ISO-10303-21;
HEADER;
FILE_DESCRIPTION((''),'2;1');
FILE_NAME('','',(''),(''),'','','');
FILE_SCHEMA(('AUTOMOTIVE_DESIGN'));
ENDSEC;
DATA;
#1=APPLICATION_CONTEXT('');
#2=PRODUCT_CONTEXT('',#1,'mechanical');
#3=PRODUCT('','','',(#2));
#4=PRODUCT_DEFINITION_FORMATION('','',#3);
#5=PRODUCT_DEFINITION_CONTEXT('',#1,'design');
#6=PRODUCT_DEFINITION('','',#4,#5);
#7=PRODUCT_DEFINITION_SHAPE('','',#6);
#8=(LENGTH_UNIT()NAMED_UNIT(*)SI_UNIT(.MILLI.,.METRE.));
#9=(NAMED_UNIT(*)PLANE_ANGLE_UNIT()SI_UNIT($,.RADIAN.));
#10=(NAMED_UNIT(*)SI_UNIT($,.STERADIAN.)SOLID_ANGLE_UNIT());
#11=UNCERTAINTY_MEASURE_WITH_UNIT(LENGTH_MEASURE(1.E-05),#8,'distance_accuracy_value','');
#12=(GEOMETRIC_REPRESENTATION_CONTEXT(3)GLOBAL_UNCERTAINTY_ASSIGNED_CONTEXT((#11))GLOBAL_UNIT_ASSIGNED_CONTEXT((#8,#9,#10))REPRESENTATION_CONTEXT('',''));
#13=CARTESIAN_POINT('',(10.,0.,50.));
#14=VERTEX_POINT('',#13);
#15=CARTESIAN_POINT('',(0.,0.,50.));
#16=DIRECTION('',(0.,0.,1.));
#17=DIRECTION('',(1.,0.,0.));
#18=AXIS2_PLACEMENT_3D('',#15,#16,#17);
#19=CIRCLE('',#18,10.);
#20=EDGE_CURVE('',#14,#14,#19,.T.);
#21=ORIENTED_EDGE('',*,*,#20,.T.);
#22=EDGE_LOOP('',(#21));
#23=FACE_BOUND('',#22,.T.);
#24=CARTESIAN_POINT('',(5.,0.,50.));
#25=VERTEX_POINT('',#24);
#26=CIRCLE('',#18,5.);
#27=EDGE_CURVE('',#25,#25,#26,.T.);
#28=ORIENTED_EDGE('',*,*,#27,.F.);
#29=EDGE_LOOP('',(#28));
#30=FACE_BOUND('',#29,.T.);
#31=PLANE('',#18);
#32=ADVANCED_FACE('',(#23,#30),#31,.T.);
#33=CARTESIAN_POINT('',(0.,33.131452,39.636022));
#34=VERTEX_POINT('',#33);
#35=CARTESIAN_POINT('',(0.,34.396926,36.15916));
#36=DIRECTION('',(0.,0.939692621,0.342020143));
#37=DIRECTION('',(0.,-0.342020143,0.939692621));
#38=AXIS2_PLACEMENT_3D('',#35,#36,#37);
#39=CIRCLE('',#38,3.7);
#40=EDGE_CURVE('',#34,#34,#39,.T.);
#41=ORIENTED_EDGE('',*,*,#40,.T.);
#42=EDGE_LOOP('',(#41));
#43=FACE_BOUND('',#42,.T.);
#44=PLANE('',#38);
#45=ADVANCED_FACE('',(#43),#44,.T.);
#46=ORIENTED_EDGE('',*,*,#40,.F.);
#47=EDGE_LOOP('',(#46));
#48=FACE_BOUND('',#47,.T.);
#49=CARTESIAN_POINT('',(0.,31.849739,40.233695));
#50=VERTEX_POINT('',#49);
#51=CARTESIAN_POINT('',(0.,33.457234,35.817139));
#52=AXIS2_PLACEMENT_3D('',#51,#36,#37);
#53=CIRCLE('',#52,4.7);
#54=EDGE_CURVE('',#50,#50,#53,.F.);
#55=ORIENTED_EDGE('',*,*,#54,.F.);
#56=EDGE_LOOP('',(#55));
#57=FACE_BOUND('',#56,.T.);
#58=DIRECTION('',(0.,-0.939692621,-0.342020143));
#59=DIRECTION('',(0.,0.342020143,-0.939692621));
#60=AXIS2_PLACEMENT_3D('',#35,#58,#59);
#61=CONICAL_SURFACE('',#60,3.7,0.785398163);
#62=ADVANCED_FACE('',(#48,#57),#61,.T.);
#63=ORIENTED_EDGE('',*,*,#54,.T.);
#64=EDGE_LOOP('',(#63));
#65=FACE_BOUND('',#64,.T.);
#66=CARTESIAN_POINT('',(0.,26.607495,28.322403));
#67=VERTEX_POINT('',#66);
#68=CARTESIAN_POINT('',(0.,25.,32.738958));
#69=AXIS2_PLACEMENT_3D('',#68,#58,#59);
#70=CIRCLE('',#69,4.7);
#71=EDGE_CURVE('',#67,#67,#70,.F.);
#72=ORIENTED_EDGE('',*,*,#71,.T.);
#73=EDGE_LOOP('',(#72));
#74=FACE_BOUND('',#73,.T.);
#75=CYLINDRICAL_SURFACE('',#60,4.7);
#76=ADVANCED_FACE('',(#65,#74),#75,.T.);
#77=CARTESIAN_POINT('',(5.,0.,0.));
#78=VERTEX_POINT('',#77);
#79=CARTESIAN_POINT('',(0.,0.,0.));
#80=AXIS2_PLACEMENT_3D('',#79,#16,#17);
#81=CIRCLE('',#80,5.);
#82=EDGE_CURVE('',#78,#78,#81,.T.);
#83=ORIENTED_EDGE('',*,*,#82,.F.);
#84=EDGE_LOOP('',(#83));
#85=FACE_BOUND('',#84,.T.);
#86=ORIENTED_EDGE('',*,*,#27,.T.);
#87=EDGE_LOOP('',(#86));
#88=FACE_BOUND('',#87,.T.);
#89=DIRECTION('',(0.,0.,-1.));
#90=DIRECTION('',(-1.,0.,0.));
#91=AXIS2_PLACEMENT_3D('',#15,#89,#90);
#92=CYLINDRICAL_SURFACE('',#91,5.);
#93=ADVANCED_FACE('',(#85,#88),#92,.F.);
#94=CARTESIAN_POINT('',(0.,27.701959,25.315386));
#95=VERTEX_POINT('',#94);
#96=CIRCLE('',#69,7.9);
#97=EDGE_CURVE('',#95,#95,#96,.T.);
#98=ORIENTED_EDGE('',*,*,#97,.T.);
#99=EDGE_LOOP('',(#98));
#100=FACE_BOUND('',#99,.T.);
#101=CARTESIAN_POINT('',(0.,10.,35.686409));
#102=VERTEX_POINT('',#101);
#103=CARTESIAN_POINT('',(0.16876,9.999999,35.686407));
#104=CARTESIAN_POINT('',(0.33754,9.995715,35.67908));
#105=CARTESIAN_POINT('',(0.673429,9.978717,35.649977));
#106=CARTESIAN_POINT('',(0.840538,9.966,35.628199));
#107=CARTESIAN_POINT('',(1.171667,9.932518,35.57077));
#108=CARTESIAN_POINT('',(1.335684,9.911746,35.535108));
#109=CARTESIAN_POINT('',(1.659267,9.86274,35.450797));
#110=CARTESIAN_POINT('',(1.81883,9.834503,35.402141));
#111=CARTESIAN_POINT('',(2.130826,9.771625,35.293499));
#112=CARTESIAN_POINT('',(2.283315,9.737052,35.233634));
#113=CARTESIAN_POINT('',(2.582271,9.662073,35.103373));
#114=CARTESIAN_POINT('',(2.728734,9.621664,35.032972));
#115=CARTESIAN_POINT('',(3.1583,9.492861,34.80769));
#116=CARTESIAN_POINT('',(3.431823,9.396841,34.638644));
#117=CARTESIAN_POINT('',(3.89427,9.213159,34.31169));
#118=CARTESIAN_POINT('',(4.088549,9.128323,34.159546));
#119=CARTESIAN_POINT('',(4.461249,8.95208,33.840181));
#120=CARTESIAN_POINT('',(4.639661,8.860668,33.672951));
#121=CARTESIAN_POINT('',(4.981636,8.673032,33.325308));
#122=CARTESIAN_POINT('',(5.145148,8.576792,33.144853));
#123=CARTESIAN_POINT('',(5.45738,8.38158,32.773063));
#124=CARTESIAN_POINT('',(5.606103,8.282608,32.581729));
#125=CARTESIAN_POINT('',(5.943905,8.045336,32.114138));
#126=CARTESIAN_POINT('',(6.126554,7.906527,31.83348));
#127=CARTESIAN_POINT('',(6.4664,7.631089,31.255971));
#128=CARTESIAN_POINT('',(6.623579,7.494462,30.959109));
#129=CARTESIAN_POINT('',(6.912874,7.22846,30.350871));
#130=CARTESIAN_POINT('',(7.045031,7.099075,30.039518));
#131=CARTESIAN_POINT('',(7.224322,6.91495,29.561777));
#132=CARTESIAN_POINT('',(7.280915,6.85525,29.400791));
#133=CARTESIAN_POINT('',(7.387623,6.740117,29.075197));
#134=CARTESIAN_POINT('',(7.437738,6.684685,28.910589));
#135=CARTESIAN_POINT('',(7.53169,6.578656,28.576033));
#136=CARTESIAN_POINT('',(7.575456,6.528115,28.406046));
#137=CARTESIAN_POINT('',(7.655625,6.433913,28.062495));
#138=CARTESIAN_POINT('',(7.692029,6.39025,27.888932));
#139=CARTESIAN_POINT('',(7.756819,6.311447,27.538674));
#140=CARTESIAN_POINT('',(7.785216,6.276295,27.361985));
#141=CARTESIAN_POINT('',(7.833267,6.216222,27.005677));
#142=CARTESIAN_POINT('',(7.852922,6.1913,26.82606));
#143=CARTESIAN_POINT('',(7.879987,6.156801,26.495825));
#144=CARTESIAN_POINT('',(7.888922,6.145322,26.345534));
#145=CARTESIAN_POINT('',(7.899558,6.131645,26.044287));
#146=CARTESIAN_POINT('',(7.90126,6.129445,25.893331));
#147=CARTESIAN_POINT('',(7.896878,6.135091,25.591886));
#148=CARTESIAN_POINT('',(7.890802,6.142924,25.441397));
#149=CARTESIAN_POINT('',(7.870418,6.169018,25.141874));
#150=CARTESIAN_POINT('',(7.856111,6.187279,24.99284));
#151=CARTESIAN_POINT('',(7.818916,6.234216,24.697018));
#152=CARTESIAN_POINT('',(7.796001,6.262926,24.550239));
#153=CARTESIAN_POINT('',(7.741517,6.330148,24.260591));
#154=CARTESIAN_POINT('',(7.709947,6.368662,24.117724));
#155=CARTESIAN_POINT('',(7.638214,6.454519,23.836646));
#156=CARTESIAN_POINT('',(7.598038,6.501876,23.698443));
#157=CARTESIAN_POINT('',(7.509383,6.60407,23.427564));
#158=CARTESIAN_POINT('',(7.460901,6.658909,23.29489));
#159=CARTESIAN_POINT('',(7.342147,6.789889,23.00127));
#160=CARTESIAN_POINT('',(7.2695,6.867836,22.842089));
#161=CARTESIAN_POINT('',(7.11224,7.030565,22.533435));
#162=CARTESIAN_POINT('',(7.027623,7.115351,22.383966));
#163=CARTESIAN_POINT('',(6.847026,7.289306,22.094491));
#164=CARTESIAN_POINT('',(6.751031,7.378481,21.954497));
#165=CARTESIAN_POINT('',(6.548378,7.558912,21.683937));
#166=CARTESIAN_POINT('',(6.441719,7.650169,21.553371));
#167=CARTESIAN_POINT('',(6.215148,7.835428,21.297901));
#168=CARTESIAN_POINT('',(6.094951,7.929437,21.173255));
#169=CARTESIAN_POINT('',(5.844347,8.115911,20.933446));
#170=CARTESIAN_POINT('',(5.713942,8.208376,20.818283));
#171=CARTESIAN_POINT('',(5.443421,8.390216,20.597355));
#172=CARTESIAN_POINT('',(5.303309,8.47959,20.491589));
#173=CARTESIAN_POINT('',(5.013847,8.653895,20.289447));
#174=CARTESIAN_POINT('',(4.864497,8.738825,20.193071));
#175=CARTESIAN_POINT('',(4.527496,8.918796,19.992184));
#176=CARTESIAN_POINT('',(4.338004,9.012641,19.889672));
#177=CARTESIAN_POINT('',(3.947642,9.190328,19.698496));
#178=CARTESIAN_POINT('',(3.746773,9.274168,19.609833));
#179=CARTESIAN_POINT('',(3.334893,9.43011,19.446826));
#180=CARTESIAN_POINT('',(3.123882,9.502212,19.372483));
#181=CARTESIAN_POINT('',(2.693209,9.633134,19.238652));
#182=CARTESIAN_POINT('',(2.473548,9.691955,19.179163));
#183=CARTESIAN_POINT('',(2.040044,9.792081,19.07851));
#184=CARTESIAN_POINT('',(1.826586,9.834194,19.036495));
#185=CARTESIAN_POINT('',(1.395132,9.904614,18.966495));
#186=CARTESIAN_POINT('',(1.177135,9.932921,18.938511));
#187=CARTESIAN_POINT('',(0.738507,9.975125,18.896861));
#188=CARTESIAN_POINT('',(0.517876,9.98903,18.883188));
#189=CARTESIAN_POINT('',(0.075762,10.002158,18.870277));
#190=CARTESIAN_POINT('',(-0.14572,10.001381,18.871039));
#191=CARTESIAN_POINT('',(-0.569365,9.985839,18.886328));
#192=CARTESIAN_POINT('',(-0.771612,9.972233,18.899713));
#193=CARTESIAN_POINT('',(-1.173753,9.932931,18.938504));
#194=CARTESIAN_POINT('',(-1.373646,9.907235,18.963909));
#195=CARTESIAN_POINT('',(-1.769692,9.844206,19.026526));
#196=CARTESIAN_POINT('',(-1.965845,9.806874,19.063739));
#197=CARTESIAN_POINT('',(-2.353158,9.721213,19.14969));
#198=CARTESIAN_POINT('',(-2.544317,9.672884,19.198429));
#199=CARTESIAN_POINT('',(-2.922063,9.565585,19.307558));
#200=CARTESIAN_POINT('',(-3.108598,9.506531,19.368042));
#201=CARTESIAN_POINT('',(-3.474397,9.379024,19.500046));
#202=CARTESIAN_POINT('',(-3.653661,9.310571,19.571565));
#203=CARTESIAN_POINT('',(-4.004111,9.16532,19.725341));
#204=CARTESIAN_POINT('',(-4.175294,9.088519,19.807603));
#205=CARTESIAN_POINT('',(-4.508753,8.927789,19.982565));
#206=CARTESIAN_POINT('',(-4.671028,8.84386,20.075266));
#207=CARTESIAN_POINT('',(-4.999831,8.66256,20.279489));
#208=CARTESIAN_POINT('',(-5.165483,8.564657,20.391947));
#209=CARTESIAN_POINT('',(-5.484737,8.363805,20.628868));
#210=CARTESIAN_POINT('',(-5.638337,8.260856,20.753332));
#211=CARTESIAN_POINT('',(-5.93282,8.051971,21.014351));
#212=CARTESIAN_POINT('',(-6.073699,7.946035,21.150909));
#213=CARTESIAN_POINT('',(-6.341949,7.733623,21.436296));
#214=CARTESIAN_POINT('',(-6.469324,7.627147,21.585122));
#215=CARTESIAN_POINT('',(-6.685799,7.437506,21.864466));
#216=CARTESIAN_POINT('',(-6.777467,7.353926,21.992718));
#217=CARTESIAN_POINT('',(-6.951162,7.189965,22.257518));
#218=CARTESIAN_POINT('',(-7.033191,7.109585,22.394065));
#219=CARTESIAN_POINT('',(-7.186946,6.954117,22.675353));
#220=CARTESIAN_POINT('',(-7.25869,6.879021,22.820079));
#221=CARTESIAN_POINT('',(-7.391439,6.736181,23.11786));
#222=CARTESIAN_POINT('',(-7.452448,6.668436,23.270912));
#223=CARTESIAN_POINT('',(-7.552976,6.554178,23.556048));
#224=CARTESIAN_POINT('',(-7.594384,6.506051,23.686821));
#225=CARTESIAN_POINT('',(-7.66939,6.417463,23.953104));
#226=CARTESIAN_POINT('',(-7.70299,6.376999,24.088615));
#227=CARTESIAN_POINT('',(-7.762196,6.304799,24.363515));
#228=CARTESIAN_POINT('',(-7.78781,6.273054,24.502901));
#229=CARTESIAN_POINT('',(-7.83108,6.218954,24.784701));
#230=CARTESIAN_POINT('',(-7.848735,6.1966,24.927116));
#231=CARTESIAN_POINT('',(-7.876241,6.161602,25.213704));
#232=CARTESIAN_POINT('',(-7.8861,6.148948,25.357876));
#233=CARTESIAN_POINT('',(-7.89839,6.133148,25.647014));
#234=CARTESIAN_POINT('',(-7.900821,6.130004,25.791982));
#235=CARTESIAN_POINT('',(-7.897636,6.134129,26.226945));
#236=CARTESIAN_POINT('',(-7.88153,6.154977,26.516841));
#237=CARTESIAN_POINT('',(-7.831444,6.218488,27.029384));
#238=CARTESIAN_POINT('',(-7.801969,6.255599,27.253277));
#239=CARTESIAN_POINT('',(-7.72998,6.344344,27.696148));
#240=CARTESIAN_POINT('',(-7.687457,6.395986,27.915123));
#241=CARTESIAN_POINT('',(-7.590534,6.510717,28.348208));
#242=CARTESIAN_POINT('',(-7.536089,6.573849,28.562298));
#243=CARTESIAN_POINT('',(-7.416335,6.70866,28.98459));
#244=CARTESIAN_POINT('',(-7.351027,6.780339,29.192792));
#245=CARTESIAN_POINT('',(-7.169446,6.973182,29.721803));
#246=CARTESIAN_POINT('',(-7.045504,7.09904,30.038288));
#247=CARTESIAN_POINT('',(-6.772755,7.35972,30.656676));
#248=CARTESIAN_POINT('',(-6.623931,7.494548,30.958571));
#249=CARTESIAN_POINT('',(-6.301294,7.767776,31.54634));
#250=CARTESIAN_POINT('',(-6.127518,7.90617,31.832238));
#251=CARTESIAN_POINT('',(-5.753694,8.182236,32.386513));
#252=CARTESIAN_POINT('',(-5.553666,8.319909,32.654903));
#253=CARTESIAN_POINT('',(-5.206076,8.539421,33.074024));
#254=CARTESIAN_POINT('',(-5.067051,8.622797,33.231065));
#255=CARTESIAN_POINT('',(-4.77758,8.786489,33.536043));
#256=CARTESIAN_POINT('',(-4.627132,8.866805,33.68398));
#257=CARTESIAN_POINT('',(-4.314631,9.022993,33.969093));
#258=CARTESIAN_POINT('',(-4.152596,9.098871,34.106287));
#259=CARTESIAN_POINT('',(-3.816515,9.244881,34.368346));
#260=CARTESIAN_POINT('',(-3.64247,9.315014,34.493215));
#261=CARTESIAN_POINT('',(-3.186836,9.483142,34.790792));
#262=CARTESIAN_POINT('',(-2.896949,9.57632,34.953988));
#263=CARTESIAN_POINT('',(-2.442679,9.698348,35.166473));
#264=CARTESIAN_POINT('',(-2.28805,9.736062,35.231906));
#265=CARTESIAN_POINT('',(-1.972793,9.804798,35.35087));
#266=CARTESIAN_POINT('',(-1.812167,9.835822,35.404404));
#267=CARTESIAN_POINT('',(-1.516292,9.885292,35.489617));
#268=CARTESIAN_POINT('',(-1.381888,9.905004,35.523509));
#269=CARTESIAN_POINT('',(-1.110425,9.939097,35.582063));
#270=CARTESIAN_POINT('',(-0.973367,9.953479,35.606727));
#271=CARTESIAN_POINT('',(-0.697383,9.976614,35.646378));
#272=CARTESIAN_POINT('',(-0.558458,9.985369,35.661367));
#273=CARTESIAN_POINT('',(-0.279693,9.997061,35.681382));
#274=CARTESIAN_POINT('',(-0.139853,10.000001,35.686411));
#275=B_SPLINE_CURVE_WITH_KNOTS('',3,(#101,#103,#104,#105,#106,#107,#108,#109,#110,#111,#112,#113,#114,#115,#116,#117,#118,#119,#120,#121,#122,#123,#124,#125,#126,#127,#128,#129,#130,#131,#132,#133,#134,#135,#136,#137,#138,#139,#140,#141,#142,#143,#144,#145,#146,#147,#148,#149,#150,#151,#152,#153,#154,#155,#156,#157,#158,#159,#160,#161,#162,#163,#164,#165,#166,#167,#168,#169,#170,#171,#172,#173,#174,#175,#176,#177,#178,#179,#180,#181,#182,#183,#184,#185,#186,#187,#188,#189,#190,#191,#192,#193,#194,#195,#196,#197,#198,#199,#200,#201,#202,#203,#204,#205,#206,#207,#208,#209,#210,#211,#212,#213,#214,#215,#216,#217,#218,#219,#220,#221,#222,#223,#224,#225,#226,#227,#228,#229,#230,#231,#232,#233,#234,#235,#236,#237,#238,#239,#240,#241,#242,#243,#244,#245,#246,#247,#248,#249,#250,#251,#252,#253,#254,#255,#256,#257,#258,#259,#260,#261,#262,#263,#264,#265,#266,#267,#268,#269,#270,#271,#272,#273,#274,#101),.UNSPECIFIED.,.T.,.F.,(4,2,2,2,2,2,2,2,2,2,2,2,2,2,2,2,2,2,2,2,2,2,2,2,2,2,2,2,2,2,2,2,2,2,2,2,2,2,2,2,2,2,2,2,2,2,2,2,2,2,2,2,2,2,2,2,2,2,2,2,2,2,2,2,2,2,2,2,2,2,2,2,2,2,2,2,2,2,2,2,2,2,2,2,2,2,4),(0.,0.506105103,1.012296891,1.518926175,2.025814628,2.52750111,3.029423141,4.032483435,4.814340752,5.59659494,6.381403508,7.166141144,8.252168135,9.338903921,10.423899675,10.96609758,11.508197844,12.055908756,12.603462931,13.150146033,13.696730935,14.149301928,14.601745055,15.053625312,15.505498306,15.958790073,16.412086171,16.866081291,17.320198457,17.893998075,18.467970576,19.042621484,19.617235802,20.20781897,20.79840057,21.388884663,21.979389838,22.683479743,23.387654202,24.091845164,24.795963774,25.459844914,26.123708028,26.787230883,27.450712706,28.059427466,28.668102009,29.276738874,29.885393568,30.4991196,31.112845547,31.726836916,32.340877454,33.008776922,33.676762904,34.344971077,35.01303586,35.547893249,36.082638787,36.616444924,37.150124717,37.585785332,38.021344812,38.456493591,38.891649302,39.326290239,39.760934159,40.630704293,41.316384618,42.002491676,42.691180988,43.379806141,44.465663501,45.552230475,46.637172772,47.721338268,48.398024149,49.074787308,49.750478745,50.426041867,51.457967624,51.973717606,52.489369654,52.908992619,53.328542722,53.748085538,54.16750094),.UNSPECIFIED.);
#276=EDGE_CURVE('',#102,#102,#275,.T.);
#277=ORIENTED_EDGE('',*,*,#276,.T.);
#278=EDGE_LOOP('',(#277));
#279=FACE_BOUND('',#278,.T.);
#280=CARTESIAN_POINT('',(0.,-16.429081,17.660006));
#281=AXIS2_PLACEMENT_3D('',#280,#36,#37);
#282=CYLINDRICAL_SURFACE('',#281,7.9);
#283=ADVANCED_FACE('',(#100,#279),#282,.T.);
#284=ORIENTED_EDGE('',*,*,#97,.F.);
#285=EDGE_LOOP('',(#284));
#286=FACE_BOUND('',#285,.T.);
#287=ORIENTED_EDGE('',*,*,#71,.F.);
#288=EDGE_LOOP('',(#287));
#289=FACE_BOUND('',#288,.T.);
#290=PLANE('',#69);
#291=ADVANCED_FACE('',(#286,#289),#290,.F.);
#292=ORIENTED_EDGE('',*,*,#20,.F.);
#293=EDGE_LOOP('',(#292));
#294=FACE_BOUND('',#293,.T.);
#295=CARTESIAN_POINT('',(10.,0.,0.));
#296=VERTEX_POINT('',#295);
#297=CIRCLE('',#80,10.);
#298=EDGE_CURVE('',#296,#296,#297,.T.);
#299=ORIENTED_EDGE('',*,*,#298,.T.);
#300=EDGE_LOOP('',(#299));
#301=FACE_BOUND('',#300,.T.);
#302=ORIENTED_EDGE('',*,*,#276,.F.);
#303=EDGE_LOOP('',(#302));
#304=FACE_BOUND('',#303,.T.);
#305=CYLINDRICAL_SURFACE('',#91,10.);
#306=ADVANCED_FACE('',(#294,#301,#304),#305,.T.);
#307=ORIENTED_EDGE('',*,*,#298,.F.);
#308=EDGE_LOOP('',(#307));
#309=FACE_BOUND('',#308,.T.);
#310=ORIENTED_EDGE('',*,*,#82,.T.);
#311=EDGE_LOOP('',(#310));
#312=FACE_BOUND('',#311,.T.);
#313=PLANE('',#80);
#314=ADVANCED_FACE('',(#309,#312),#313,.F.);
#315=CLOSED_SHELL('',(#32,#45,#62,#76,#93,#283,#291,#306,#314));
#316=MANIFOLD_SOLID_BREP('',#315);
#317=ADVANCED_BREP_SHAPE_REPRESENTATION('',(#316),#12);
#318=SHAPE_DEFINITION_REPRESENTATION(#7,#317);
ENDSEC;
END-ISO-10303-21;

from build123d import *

# Parameters (mm, degrees)
SKETCH1_R           = 10
SKETCH1_R_2         = 5
BOSS_EXTRUDE1_DEPTH = 50
BOSS_EXTRUDE2_REACH = 46.087
SKETCH4_R           = 7.9
SKETCH6_R           = 4.7
BOSS_EXTRUDE3_DEPTH = 10
CHAMFER1_SIZE       = 1


with BuildPart() as part:
    # Sketch1 → Boss-Extrude1 (new body)
    with BuildSketch(Plane.XY):
        Circle(SKETCH1_R)
        Circle(SKETCH1_R_2, mode=Mode.SUBTRACT)
    extrude(amount=BOSS_EXTRUDE1_DEPTH)

    # Sketch4 → Boss-Extrude2 (add, up to next)
    with BuildSketch(Plane(origin=(0, 25, 32.738958199), x_dir=(-1, 0, 0), z_dir=(0, -0.939692621, -0.342020143)), mode=Mode.PRIVATE) as boss_extrude2_sk1:
        Circle(SKETCH4_R)
    boss_extrude2_tool1 = extrude(boss_extrude2_sk1.sketch, amount=BOSS_EXTRUDE2_REACH, mode=Mode.PRIVATE) - part.part
    add(boss_extrude2_tool1.solids().sort_by_distance((0, 25, 32.738958))[0])

    # Sketch6 → Boss-Extrude3 (add)
    with BuildSketch(Plane(origin=(0, 32.597653881, 11.86457572), x_dir=(1, 0, 0), z_dir=(0, 0.939692621, 0.342020143))):
        with Locations((0, -22.214053849)):
            Circle(SKETCH6_R)
    extrude(amount=BOSS_EXTRUDE3_DEPTH)

    # Chamfer1
    chamfer1_edges = [part.edges().sort_by_distance(p)[0] for p in [
        (-4.7, 34.396926208, 36.159159633),
    ]]
    chamfer(chamfer1_edges, length=CHAMFER1_SIZE)


solid = part.part
